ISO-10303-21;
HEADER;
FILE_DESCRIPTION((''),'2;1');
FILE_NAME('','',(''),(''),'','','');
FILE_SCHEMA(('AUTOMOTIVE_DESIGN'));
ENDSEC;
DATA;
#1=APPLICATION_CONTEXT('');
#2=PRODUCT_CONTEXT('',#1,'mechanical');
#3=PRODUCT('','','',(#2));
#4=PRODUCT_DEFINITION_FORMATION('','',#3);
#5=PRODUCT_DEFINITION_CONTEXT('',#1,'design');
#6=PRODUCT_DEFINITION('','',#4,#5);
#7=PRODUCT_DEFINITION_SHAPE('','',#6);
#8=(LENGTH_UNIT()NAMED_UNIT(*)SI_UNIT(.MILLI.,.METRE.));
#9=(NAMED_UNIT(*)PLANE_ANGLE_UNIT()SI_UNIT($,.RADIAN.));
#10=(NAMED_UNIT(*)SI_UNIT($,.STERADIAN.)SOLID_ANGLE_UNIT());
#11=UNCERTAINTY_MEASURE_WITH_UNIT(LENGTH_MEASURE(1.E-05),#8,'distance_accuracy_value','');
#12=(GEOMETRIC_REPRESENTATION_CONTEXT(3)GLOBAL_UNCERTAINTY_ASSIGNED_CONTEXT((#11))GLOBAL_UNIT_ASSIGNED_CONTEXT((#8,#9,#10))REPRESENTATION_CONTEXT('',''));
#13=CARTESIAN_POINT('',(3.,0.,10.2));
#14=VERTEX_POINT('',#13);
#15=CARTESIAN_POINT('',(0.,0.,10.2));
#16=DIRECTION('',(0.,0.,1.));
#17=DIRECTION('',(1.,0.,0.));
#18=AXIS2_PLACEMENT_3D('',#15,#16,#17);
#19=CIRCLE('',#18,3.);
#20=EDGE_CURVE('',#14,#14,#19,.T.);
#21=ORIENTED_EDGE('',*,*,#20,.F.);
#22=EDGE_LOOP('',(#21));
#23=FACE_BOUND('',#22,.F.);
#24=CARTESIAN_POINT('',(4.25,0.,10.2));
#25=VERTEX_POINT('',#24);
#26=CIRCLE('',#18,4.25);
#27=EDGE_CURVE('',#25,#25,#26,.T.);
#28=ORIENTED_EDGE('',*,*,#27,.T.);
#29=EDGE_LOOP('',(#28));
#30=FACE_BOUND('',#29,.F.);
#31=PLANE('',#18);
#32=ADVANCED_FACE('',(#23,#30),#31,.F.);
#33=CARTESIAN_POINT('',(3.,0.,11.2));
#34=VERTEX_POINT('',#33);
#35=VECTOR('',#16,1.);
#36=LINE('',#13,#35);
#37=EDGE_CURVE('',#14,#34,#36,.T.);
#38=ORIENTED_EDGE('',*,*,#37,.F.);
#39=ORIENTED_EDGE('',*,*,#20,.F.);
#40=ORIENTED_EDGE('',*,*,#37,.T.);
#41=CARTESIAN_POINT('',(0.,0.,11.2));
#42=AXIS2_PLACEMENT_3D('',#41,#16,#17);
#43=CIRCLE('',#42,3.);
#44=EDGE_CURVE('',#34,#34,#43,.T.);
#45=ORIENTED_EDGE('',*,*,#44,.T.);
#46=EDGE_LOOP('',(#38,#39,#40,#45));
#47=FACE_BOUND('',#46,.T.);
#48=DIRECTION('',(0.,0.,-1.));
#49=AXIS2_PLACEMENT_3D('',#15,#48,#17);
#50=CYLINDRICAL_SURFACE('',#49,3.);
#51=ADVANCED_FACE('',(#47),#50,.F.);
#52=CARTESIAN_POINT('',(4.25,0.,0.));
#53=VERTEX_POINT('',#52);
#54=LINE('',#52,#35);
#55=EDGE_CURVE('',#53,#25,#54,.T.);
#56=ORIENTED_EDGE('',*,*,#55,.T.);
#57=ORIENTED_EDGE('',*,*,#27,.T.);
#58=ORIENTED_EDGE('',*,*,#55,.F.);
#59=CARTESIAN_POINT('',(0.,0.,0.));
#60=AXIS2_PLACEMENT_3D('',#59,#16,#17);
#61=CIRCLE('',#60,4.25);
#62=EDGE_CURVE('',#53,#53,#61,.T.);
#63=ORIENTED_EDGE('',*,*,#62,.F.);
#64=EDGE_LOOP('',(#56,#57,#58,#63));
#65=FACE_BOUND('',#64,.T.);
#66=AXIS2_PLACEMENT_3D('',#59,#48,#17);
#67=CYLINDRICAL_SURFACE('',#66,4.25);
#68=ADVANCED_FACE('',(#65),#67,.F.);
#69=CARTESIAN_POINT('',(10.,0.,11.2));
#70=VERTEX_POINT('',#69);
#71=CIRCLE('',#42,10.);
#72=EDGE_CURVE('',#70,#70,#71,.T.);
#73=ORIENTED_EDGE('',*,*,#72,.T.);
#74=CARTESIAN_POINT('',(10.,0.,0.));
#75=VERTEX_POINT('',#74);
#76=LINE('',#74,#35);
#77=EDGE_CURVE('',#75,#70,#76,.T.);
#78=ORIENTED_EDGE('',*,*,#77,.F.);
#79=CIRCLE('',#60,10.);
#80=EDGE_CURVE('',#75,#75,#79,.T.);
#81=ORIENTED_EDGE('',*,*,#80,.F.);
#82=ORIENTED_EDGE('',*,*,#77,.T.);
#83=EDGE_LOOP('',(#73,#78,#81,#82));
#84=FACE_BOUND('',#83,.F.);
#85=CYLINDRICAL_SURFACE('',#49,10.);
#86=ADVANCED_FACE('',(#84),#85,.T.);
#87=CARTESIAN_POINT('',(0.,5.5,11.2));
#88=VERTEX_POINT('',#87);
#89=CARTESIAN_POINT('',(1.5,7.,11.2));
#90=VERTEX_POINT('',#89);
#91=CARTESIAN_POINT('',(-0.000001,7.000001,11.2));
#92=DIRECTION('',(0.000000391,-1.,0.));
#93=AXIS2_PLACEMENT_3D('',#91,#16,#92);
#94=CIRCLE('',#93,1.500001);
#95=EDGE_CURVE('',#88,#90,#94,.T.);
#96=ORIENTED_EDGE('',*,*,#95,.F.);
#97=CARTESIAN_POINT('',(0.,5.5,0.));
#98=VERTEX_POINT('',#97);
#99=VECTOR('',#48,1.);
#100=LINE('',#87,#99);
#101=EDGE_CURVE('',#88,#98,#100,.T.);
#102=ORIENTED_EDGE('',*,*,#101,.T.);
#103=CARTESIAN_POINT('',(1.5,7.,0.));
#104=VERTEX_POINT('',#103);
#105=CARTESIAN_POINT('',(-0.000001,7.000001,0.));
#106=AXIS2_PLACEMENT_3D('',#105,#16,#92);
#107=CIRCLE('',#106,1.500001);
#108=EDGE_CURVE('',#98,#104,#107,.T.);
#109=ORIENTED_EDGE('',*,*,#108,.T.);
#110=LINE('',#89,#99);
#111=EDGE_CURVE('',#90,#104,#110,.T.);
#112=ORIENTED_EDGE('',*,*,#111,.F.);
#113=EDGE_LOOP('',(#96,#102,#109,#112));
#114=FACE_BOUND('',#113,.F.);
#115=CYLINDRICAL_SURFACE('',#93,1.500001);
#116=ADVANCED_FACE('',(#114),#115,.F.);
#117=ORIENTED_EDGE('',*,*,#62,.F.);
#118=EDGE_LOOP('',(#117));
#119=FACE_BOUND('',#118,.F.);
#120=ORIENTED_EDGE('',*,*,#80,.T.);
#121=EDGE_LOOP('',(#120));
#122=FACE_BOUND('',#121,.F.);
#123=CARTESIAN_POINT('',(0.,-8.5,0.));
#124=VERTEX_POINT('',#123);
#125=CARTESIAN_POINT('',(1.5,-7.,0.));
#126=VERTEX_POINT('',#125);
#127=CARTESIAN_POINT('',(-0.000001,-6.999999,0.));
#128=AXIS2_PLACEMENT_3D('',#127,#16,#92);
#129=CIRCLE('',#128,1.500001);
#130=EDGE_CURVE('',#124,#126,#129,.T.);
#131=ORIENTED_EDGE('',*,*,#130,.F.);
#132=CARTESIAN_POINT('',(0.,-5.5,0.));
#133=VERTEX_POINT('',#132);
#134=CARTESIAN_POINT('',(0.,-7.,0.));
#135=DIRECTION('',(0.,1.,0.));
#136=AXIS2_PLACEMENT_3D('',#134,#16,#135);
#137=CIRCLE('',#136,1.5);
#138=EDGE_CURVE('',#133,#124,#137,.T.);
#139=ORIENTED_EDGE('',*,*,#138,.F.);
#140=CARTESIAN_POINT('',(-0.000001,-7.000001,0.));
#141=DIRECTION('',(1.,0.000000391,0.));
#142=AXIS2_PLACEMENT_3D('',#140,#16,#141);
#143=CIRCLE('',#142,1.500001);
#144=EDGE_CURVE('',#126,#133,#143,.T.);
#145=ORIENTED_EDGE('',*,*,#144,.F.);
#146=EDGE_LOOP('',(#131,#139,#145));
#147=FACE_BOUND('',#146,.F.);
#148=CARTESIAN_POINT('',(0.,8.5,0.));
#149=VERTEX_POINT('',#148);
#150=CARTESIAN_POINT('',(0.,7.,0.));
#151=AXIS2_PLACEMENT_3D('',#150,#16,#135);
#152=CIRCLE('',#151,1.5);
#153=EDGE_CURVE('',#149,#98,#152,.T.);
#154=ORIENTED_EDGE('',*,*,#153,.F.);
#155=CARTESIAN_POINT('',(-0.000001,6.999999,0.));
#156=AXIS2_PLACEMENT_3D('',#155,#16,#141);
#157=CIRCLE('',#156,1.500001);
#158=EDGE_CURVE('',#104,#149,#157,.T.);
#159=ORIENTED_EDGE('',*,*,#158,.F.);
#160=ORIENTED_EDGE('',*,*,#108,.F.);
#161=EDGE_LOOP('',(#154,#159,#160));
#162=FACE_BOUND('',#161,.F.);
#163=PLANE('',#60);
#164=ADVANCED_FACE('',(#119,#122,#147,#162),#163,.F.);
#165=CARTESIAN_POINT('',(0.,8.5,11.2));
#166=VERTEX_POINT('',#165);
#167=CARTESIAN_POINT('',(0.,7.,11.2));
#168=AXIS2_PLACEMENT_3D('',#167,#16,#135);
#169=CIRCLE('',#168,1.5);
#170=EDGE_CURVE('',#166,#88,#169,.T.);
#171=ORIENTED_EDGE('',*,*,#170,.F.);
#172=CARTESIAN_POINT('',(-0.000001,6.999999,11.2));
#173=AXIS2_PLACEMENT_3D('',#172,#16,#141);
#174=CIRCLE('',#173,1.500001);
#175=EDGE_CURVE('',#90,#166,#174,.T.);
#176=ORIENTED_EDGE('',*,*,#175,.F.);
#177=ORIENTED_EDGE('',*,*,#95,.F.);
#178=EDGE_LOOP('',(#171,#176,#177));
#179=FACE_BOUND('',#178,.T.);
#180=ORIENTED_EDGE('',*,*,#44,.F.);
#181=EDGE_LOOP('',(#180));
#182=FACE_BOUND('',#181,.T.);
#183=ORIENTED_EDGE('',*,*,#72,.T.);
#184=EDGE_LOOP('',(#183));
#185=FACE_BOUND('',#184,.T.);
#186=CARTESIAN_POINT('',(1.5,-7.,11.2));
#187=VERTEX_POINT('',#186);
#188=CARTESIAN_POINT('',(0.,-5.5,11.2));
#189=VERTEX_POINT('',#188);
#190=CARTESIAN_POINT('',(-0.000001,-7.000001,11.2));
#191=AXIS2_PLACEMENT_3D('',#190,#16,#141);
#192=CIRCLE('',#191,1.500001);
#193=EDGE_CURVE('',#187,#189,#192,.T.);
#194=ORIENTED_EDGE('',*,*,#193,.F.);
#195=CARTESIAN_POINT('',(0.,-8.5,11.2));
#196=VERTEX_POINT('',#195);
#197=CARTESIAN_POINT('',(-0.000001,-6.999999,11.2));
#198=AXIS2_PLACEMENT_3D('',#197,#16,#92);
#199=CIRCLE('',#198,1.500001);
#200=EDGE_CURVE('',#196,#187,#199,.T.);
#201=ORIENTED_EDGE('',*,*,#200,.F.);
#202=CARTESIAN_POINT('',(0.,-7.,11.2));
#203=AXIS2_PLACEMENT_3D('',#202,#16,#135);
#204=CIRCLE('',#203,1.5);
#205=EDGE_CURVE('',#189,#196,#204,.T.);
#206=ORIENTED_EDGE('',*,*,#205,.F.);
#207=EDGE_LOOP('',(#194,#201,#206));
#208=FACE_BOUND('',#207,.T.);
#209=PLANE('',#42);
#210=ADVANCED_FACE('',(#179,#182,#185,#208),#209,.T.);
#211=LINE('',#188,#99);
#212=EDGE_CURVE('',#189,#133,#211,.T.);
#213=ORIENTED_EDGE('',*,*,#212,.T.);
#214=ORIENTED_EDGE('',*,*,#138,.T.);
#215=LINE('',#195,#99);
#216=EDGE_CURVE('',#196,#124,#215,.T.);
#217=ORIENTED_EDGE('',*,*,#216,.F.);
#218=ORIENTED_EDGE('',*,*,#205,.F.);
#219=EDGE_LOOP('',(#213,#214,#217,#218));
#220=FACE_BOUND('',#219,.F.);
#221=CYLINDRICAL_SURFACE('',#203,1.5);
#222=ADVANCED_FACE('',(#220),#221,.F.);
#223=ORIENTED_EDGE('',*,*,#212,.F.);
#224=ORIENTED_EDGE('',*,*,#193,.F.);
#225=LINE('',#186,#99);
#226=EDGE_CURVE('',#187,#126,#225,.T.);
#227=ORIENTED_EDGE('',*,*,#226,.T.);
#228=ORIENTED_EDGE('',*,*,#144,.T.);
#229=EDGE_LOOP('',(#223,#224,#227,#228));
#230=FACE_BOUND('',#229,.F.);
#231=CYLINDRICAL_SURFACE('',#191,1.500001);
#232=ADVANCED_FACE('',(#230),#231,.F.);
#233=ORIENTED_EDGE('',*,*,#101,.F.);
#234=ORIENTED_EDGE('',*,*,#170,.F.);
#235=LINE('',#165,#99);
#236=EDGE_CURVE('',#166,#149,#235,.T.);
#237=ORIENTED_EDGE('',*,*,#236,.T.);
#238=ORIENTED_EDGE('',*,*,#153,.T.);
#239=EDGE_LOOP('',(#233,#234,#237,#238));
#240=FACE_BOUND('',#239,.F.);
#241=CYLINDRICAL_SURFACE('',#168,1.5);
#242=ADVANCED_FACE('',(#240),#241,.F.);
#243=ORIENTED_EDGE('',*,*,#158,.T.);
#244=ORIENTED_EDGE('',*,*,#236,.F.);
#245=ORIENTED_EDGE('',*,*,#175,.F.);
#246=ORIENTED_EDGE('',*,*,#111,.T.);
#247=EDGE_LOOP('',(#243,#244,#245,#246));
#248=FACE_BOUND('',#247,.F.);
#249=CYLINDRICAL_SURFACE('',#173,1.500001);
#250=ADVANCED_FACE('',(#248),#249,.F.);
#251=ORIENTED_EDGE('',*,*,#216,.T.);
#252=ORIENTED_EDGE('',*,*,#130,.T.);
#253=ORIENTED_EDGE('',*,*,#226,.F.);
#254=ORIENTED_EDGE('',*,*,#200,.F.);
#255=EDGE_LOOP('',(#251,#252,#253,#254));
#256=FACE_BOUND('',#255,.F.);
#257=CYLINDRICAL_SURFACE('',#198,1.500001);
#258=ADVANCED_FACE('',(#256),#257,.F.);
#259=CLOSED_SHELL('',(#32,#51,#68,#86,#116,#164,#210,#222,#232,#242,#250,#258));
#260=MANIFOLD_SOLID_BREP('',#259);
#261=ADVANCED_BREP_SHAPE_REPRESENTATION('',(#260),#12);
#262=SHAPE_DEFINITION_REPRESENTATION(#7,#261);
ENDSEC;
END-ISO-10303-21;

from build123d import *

# Parameters (mm, degrees)
F0_R     = 10
F0_R_2   = 4.25
F1_DEPTH = 10.2
F3_R     = 10
F3_R_2   = 3
F4_DEPTH = 1
F7_DEPTH = 15


with BuildPart() as f1:
    # F0 (on Top) → F1 (new body)
    with BuildSketch(Plane.XY):
        Circle(F0_R)
        Circle(F0_R_2, mode=Mode.SUBTRACT)
    extrude(amount=F1_DEPTH)

    # F3 (on offset) → F4 (join)
    with BuildSketch(Plane.XY.offset(10.2)):
        Circle(F3_R)
        Circle(F3_R_2, mode=Mode.SUBTRACT)
    extrude(amount=F4_DEPTH)

    # F6 (on offset) → F7 (cut)
    with BuildSketch(Plane.XY.offset(11.2)):
        with BuildLine():
            ThreePointArc((0, -5.5), (-1.5, -7), (0, -8.5))
            Line((0, -8.5), (0, -5.5))
        make_face()
        with BuildLine():
            ThreePointArc((0, 8.5), (-1.5, 7), (0, 5.5))
            Line((0, 5.5), (0, 8.5))
        make_face()
        with BuildLine():
            Line((0, 8.5), (0, 5.5))
            ThreePointArc((0, 5.5), (1.06066, 5.93934), (1.5, 7))
            ThreePointArc((1.5, 7), (1.06066, 8.06066), (0, 8.5))
        make_face()
        with BuildLine():
            Line((0, -5.5), (0, -8.5))
            ThreePointArc((0, -8.5), (1.06066, -8.06066), (1.5, -7))
            ThreePointArc((1.5, -7), (1.06066, -5.93934), (0, -5.5))
        make_face()
    extrude(amount=-F7_DEPTH, mode=Mode.SUBTRACT)


solid = f1.part
